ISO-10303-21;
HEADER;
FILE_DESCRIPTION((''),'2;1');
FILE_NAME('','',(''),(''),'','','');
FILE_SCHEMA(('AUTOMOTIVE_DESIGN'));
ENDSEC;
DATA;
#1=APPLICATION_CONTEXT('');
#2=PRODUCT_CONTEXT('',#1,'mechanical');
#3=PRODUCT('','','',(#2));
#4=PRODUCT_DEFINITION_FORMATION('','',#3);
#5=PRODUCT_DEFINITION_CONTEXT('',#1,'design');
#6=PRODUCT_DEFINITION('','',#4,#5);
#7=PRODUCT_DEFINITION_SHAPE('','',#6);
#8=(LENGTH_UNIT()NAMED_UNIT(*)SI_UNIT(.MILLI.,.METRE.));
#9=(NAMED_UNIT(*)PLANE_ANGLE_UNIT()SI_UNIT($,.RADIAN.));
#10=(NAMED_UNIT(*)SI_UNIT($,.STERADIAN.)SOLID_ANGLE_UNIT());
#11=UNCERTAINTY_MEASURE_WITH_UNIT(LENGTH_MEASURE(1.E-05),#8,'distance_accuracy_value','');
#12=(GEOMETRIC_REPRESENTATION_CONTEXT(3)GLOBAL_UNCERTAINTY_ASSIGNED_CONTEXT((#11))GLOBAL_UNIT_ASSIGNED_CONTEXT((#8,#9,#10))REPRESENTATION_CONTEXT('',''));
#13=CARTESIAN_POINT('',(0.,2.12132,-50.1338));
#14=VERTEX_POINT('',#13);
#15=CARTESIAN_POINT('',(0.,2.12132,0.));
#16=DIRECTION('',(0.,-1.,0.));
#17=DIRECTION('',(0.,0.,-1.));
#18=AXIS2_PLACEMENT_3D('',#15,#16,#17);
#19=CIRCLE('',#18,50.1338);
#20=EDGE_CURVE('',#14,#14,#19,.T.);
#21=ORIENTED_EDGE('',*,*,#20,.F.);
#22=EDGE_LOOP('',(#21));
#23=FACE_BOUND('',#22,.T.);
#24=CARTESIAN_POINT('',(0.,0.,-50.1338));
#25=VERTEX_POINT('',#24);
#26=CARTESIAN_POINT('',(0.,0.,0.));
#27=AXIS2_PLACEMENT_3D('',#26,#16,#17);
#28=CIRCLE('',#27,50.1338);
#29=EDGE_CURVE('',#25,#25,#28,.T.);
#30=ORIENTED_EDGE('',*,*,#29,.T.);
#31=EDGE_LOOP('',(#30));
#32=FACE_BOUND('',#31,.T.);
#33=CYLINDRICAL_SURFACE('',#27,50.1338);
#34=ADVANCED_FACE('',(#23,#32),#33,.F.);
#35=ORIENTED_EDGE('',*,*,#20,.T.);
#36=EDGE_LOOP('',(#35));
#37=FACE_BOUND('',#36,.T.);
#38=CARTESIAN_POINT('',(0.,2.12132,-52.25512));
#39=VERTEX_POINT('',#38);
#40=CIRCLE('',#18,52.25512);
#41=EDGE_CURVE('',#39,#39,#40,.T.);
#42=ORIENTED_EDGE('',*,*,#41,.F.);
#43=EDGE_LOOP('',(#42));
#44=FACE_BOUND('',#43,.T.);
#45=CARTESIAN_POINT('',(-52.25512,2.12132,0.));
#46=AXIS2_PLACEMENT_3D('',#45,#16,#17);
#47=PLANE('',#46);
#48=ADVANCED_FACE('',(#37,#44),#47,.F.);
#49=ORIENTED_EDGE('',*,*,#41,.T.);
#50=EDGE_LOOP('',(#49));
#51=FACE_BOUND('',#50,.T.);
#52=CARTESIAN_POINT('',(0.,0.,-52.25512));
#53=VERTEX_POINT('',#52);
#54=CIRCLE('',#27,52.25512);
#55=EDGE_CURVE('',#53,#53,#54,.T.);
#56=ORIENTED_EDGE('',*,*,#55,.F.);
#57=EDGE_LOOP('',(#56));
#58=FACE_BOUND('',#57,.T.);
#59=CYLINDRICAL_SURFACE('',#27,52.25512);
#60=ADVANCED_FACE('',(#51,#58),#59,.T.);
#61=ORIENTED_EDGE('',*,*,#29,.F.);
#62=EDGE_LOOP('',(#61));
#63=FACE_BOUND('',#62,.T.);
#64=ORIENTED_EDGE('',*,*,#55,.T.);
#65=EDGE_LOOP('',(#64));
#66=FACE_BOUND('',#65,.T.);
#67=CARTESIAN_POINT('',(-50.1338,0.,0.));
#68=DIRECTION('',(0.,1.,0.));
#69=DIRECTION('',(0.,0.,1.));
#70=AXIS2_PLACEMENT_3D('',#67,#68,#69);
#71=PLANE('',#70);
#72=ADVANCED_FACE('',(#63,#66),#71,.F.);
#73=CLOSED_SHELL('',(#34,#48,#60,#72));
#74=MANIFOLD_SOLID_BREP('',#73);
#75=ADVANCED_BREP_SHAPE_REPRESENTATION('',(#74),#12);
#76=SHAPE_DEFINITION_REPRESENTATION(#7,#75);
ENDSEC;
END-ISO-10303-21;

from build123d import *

# Parameters (mm, degrees)
SKETCH1_W = 2.121320344
SKETCH1_H = 2.121320344


with BuildPart() as part:
    # Sketch1 → Revolve1 (revolve)
    with BuildSketch(Plane.XY, mode=Mode.PRIVATE) as revolve1_sk:
        with Locations((-51.194460172, 1.060660172)):
            Rectangle(SKETCH1_W, SKETCH1_H)
    revolve(revolve1_sk.sketch.rotate(Axis((0, 0, 0), (0, 1, 0)), 270), axis=Axis((0, 0, 0), (0, 1, 0)))


solid = part.part
